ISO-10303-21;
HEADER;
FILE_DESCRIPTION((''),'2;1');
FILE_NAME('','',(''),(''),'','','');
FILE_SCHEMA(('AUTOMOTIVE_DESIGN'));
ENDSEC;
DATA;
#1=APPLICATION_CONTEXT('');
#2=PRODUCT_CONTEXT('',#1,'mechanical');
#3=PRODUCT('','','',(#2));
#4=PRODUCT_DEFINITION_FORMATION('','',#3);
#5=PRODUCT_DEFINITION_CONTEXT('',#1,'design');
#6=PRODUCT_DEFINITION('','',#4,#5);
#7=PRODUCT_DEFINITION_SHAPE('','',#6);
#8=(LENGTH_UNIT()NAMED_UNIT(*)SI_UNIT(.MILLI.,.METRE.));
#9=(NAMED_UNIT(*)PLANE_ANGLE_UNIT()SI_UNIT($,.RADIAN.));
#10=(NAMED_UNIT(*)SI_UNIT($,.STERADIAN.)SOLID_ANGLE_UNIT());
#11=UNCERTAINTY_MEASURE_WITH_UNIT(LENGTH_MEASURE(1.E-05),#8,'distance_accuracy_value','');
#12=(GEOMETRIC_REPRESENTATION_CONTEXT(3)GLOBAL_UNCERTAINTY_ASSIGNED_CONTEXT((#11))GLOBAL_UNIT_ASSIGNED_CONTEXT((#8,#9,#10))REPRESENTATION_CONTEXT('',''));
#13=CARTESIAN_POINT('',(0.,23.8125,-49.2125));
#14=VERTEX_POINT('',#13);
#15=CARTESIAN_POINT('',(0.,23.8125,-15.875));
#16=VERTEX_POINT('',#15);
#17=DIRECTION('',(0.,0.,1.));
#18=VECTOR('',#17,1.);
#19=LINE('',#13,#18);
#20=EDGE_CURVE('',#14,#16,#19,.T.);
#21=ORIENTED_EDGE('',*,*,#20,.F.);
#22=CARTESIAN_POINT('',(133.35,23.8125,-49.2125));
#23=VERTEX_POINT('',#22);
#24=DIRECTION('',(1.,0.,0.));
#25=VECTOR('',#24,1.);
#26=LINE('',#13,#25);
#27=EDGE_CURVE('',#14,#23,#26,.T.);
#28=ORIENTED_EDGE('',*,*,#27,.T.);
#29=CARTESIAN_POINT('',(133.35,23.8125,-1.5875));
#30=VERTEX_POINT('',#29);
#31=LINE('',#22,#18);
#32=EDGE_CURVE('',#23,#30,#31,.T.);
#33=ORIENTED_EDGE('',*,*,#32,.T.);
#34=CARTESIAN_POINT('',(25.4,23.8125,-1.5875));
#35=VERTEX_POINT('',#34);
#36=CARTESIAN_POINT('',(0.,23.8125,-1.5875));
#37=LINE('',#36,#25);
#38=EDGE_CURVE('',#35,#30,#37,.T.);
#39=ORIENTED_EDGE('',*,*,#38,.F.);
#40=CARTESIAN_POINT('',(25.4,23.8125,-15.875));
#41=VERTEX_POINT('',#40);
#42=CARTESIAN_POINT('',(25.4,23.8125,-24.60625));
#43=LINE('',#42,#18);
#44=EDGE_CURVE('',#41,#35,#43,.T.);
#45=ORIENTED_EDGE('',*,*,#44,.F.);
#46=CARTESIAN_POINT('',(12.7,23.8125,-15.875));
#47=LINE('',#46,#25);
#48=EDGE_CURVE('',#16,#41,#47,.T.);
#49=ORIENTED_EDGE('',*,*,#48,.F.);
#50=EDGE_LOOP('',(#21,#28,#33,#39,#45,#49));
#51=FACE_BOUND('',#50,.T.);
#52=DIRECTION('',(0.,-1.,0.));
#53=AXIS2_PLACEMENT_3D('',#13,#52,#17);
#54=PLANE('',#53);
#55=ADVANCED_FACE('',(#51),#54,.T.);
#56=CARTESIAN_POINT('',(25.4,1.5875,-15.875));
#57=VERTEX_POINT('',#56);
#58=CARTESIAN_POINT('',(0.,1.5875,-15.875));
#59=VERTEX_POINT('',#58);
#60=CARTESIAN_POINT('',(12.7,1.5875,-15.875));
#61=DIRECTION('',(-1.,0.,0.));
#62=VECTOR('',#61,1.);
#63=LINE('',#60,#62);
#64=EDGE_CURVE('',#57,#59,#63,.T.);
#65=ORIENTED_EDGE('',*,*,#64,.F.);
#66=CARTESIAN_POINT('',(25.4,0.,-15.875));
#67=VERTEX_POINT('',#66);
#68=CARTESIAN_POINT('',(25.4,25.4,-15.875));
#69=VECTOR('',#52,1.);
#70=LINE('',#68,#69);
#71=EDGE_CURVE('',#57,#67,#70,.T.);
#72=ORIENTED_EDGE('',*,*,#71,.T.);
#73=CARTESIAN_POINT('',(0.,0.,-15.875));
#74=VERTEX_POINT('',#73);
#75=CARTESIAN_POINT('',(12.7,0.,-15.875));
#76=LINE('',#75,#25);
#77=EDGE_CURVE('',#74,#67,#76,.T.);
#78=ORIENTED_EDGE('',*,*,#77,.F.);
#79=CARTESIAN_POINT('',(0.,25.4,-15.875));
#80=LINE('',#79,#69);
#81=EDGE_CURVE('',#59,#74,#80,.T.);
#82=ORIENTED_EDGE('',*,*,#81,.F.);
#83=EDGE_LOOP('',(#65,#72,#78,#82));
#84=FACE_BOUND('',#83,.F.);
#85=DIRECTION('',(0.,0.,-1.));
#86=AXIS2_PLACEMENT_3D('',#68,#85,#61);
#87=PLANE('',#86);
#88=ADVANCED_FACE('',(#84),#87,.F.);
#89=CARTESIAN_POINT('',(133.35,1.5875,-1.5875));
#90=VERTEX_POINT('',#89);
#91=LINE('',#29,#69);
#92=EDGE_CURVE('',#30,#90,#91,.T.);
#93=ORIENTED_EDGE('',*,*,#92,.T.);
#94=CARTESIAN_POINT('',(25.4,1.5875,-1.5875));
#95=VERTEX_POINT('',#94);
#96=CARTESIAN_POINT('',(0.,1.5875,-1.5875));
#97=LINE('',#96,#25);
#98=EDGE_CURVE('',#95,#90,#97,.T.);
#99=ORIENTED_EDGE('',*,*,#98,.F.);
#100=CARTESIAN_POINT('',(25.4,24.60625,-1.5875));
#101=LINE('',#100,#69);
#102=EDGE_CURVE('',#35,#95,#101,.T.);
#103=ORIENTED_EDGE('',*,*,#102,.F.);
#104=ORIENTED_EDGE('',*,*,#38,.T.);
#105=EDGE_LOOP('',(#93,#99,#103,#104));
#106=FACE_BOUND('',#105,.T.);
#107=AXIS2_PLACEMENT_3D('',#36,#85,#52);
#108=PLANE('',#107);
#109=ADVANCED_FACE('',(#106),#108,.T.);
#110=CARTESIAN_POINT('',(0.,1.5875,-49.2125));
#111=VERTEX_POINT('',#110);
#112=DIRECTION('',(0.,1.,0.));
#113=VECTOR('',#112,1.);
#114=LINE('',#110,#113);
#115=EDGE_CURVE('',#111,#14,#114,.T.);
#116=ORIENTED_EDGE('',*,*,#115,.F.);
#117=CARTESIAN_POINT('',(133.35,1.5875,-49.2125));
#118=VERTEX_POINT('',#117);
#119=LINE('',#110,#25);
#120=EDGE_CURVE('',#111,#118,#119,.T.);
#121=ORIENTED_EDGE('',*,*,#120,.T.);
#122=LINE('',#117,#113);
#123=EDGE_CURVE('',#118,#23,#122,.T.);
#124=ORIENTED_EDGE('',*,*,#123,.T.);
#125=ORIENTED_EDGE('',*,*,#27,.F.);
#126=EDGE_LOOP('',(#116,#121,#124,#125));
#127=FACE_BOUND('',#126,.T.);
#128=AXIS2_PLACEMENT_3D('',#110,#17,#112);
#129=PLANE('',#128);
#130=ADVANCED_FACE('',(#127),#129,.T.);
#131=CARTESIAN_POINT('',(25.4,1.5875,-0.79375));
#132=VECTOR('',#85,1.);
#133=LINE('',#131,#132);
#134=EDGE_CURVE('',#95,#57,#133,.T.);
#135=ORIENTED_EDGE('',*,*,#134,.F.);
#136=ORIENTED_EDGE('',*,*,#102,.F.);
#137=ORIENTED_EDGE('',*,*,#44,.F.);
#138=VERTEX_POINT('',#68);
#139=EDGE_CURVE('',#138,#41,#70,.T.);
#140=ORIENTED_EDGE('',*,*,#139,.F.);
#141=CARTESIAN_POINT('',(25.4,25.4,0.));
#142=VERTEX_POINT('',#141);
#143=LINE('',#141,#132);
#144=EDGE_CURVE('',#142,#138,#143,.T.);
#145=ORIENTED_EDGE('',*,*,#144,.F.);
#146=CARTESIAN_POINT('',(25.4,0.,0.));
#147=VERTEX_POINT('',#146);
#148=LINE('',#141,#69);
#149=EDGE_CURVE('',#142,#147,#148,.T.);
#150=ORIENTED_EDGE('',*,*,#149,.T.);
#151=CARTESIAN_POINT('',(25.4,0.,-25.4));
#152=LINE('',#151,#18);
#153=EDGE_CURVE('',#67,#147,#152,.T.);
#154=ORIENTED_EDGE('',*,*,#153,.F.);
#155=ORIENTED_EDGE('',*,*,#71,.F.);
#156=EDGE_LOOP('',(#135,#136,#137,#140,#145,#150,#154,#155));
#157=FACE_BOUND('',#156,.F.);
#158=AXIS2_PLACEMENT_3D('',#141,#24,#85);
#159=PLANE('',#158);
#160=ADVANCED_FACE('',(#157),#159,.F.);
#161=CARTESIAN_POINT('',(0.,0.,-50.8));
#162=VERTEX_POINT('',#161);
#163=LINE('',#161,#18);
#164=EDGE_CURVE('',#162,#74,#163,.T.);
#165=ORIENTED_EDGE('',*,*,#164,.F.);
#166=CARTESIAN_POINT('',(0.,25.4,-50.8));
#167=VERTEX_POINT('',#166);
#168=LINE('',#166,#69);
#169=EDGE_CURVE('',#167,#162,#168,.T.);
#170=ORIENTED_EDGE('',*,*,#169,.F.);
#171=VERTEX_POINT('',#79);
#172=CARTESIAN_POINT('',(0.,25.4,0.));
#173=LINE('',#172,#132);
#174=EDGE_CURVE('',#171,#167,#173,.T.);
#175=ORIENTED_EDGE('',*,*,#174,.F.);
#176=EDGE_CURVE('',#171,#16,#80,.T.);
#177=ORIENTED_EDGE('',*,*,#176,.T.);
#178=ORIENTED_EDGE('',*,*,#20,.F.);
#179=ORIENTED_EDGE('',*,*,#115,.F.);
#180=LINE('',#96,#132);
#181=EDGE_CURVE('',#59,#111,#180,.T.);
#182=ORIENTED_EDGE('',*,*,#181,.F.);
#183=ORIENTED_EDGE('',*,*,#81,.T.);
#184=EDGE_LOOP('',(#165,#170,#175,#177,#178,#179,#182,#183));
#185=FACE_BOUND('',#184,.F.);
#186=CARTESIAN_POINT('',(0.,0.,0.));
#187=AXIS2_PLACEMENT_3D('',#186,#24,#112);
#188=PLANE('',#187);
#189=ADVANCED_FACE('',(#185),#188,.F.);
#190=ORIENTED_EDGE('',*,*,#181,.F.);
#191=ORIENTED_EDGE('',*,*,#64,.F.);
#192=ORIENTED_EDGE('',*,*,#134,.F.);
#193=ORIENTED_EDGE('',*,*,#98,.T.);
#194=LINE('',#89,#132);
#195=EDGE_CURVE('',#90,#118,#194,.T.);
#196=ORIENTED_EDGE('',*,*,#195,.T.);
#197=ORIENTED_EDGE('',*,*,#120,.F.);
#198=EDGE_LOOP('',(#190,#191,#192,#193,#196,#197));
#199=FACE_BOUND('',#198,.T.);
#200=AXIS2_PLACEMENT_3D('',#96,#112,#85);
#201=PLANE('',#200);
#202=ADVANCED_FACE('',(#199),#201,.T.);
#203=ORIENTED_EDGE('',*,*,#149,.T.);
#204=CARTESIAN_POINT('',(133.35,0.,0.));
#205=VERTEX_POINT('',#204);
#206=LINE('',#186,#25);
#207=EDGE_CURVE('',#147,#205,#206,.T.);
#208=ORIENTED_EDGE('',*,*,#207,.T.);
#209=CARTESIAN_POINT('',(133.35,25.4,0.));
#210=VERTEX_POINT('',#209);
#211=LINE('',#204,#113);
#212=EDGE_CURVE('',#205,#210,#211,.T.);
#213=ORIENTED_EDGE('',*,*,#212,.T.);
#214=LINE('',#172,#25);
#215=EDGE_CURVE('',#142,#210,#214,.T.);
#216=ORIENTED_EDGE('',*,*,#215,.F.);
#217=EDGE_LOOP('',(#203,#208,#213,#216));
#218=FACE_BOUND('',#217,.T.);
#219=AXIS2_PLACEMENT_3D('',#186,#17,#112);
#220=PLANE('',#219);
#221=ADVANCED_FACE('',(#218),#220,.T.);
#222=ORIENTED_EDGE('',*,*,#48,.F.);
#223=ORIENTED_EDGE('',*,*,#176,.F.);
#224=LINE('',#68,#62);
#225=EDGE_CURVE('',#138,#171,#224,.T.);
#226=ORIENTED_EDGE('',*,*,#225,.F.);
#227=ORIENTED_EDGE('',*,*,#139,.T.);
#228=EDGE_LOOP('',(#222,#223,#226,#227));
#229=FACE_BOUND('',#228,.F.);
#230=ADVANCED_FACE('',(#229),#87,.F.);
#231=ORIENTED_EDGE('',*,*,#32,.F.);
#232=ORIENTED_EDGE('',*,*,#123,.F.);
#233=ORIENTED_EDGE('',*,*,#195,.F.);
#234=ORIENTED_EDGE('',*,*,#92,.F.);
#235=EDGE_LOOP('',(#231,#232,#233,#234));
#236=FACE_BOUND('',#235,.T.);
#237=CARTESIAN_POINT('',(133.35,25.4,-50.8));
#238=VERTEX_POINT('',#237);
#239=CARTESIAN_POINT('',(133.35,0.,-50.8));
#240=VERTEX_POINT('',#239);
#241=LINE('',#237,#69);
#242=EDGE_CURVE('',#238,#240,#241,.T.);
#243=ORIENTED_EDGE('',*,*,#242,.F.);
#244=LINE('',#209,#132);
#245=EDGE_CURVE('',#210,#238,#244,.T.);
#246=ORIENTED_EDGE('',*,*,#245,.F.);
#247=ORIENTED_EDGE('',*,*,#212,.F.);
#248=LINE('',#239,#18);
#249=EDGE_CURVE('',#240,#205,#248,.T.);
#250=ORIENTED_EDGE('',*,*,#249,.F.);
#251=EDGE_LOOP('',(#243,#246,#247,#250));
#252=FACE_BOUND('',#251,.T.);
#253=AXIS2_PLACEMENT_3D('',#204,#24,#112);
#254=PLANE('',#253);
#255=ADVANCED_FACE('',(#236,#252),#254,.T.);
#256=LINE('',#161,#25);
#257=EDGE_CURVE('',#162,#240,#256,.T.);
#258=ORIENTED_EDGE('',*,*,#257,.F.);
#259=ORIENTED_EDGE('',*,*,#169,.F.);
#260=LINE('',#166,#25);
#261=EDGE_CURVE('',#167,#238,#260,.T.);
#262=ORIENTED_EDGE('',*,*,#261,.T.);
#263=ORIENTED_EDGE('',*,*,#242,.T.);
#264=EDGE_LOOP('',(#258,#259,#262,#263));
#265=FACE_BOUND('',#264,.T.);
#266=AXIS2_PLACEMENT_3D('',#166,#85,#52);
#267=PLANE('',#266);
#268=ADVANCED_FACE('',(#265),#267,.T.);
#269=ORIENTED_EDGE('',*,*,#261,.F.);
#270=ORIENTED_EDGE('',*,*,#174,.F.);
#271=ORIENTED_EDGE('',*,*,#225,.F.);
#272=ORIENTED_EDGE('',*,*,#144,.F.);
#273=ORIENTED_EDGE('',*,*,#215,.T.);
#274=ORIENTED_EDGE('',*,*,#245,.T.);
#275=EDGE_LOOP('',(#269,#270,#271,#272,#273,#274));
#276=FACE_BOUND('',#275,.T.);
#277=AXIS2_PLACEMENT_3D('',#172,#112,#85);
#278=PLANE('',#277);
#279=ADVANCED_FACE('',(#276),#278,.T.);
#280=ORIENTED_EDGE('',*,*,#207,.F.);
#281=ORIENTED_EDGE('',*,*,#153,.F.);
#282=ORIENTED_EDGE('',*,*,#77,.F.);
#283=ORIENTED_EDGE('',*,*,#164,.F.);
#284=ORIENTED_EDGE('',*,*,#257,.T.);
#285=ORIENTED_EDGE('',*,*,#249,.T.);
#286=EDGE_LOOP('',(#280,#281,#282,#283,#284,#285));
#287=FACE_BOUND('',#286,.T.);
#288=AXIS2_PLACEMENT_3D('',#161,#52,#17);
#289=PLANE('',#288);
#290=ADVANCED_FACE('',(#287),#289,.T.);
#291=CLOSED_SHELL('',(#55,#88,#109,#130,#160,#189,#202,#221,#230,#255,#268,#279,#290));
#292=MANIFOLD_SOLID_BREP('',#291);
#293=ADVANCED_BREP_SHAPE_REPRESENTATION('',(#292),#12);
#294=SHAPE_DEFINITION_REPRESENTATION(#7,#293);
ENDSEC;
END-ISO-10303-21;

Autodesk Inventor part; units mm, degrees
ref_plane "YZ Plane" through (0, 0, 0) normal (1, 0, 0) x (0, 1, 0)
ref_plane "XZ Plane" through (0, 0, 0) normal (0, 1, 0) x (-1, 0, 0)
ref_plane "XY Plane" through (0, 0, 0) normal (0, 0, 1) x (1, 0, 0)
sketch "Sketch1" plane through (0, 0, 0) normal (1, 0, 0) x (0, 1, 0)
  line L0 (0, 0) -> (25.4, 0)
  line L1 (25.4, 0) -> (25.4, -50.8)
  line L2 (25.4, -50.8) -> (0, -50.8)
  line L3 (0, -50.8) -> (0, 0)
  line L4 (23.8125, -1.5875) -> (1.5875, -1.5875)
  line L5 (1.5875, -1.5875) -> (1.5875, -49.2125)
  line L6 (1.5875, -49.2125) -> (23.8125, -49.2125)
  line L7 (23.8125, -49.2125) -> (23.8125, -1.5875)
  dimension "d0" = 25.4
  dimension "d1" = 50.8
  dimension "d2" = 1.5875
extrude "Extrusion1" add sketch "Sketch1" along normal blind 133.35
sketch "Sketch2" plane through (0, 25.4, 0) normal (0, 1, 0) x (1, 0, 0)
  line L0 (0, 0) -> (25.4, 0)
  line L1 (25.4, 0) -> (25.4, 15.875)
  line L2 (25.4, 15.875) -> (0, 15.875)
  line L3 (0, 15.875) -> (0, 0)
  dimension "d5" = 25.4
  dimension "d6" = 15.875
extrude "Extrusion2" cut sketch "Sketch2" against normal blind 82.55
properties part number "FRA_SideUpperSupport_003" material "Aluminum 6061"
